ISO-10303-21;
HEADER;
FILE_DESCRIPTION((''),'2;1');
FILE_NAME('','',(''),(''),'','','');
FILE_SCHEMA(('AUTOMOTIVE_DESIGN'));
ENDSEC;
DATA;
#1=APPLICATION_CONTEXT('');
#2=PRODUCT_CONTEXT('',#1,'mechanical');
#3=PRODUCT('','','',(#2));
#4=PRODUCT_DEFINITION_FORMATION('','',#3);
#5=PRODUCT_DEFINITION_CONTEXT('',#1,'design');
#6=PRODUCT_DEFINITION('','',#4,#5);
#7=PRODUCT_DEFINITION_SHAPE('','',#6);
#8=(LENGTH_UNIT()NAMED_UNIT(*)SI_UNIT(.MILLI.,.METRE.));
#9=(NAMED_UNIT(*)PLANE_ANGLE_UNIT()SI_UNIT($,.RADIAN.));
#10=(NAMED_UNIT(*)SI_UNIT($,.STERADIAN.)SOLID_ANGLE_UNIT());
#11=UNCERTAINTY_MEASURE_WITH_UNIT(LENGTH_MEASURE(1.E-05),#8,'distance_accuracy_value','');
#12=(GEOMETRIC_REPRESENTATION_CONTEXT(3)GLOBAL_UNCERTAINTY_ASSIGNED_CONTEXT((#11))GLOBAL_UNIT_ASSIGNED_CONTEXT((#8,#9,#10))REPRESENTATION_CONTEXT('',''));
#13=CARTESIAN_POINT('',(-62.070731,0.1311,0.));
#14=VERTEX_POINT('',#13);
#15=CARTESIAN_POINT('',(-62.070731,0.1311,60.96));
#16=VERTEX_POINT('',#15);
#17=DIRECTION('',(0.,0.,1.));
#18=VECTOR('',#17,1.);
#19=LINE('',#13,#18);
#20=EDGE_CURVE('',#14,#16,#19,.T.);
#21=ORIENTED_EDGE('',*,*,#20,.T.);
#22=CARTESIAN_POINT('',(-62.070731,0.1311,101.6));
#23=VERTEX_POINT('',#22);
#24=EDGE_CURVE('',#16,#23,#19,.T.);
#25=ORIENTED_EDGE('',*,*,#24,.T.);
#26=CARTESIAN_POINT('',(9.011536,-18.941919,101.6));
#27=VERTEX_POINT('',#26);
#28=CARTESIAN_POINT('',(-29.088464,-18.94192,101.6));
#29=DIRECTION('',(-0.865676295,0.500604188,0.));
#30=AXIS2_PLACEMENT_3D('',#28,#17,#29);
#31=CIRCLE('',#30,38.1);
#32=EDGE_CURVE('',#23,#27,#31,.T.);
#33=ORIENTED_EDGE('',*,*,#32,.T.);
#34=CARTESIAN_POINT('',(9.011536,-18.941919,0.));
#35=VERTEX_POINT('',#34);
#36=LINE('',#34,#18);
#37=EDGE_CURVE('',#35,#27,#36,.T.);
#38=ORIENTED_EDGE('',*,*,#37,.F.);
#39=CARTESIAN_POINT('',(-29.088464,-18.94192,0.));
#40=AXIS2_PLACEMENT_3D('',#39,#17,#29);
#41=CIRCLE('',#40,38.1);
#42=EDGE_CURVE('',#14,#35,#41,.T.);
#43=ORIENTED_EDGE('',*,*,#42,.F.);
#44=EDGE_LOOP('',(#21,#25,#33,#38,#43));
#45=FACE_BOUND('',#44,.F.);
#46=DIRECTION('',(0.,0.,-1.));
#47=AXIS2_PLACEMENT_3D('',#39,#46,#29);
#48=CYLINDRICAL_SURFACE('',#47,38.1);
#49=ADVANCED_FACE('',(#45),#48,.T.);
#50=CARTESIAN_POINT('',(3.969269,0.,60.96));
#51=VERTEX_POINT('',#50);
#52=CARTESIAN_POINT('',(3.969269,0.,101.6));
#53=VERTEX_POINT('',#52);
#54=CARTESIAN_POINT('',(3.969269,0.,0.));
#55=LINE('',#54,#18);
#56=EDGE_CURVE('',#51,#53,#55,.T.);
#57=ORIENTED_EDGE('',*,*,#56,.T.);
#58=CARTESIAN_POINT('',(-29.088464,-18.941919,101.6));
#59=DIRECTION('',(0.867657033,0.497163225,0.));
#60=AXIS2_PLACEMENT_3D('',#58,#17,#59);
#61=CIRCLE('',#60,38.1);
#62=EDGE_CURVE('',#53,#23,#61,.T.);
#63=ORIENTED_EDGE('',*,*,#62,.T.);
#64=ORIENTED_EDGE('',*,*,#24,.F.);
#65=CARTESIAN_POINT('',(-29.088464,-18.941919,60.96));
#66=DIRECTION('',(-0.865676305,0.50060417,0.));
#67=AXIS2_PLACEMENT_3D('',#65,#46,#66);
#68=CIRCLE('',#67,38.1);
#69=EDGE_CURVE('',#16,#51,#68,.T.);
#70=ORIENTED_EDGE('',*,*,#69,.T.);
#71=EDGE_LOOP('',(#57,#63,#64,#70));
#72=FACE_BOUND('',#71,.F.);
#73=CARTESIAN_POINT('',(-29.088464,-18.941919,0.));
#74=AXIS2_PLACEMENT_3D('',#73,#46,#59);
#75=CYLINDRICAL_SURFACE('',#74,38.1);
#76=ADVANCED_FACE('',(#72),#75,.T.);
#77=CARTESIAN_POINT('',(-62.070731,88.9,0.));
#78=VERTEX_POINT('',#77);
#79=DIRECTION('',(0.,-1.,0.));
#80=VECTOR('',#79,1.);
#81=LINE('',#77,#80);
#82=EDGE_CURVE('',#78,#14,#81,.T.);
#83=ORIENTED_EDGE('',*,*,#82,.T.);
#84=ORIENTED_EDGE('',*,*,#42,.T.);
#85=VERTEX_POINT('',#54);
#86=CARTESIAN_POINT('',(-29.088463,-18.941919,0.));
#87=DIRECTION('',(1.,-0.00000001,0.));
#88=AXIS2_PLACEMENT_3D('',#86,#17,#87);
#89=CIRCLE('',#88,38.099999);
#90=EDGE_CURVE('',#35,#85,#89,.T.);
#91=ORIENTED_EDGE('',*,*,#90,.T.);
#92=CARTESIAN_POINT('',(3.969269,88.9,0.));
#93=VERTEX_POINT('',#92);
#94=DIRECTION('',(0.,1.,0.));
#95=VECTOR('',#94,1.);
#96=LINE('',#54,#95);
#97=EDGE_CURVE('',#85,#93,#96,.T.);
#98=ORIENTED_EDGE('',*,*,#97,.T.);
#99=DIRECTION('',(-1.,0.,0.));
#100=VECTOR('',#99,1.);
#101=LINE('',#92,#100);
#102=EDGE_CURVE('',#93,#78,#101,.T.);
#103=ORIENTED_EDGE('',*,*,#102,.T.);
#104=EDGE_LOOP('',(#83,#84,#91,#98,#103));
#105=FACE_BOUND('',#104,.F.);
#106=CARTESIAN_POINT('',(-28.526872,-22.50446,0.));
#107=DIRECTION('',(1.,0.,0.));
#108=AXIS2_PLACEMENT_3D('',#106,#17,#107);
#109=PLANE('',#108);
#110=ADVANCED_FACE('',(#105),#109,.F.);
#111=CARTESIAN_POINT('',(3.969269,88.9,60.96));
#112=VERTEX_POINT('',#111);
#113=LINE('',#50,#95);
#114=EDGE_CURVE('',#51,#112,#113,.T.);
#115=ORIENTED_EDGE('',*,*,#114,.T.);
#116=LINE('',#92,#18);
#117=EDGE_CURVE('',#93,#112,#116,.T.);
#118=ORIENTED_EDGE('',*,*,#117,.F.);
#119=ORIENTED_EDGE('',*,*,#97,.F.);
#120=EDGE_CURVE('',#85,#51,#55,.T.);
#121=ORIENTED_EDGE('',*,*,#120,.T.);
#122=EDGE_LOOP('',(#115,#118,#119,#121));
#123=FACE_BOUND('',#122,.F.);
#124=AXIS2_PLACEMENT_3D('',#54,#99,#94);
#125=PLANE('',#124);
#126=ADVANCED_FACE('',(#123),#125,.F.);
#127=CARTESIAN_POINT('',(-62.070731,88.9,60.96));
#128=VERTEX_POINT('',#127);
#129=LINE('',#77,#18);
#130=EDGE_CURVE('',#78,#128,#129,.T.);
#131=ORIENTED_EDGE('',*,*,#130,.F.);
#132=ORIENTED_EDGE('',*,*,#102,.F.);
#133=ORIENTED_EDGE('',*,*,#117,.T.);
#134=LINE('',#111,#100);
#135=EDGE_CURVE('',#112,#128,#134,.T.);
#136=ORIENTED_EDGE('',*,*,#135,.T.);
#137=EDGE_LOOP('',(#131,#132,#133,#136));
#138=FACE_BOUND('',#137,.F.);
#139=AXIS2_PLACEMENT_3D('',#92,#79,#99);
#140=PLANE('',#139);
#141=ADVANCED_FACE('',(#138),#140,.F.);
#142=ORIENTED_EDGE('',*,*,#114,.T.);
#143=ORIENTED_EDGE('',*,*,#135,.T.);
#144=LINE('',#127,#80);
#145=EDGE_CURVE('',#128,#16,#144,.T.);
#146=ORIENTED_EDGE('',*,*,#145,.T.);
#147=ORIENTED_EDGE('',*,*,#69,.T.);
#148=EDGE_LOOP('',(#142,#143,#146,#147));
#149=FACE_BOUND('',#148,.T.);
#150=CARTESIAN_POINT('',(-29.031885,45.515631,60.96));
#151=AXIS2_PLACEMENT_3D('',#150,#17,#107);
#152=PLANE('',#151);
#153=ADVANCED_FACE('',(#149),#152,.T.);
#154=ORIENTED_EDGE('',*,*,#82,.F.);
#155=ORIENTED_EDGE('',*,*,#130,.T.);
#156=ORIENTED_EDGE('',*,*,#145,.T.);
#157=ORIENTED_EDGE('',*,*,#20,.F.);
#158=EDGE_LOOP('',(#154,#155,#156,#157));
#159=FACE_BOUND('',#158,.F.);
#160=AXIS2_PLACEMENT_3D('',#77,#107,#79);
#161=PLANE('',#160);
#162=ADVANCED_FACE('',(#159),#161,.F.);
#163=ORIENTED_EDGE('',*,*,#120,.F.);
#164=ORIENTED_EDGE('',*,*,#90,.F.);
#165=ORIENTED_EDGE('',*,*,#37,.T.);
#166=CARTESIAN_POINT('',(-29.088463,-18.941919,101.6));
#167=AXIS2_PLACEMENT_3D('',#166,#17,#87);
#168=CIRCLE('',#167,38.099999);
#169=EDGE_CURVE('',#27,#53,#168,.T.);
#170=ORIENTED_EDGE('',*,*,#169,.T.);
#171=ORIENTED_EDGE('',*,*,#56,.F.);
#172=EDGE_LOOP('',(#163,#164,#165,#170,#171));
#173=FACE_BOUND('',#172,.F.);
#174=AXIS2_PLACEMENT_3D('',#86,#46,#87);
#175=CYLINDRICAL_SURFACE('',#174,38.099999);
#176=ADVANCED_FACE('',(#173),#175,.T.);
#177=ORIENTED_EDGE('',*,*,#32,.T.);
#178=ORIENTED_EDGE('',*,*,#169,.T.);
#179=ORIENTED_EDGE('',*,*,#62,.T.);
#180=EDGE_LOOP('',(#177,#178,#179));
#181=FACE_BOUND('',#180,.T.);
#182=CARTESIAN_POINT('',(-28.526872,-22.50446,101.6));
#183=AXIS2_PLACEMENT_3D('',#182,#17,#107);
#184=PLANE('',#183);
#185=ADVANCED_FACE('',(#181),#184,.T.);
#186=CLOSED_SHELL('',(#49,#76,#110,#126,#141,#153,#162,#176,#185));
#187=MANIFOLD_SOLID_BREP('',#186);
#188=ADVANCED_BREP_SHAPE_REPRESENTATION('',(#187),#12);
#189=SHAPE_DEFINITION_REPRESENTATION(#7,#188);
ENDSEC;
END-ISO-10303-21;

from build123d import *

# Parameters (mm, degrees)
F1_DEPTH = 60.96
F2_DEPTH = 101.6


with BuildPart() as f1:
    # F0 (on Top) → F1 (new body)
    with BuildSketch(Plane.XY):
        with BuildLine():
            ThreePointArc((-62.070731, 0.1311), (-29.01283, 19.158006), (3.969269, 0))
            Line((3.969269, 0), (3.969269, 88.9))
            Line((3.969269, 88.9), (-62.070731, 88.9))
            Line((-62.070731, 88.9), (-62.070731, 0.1311))
        make_face()
    extrude(amount=F1_DEPTH)

    # F0 (on Top) → F2 (join)
    with BuildSketch(Plane.XY):
        with BuildLine():
            ThreePointArc((-62.070731, 0.1311), (-38.962309, -55.740251), (9.011536, -18.941919))
            ThreePointArc((9.011536, -18.941919), (7.729396, -9.141144), (3.969269, 0))
            Line((3.969269, 0), (-62.070731, 0))
            Line((-62.070731, 0), (-62.070731, 0.1311))
        make_face()
        with BuildLine():
            Line((-62.070731, 0), (3.969269, 0))
            ThreePointArc((3.969269, 0), (-29.01283, 19.158006), (-62.070731, 0.1311))
            Line((-62.070731, 0.1311), (-62.070731, 0))
        make_face()
    extrude(amount=F2_DEPTH)


solid = f1.part
